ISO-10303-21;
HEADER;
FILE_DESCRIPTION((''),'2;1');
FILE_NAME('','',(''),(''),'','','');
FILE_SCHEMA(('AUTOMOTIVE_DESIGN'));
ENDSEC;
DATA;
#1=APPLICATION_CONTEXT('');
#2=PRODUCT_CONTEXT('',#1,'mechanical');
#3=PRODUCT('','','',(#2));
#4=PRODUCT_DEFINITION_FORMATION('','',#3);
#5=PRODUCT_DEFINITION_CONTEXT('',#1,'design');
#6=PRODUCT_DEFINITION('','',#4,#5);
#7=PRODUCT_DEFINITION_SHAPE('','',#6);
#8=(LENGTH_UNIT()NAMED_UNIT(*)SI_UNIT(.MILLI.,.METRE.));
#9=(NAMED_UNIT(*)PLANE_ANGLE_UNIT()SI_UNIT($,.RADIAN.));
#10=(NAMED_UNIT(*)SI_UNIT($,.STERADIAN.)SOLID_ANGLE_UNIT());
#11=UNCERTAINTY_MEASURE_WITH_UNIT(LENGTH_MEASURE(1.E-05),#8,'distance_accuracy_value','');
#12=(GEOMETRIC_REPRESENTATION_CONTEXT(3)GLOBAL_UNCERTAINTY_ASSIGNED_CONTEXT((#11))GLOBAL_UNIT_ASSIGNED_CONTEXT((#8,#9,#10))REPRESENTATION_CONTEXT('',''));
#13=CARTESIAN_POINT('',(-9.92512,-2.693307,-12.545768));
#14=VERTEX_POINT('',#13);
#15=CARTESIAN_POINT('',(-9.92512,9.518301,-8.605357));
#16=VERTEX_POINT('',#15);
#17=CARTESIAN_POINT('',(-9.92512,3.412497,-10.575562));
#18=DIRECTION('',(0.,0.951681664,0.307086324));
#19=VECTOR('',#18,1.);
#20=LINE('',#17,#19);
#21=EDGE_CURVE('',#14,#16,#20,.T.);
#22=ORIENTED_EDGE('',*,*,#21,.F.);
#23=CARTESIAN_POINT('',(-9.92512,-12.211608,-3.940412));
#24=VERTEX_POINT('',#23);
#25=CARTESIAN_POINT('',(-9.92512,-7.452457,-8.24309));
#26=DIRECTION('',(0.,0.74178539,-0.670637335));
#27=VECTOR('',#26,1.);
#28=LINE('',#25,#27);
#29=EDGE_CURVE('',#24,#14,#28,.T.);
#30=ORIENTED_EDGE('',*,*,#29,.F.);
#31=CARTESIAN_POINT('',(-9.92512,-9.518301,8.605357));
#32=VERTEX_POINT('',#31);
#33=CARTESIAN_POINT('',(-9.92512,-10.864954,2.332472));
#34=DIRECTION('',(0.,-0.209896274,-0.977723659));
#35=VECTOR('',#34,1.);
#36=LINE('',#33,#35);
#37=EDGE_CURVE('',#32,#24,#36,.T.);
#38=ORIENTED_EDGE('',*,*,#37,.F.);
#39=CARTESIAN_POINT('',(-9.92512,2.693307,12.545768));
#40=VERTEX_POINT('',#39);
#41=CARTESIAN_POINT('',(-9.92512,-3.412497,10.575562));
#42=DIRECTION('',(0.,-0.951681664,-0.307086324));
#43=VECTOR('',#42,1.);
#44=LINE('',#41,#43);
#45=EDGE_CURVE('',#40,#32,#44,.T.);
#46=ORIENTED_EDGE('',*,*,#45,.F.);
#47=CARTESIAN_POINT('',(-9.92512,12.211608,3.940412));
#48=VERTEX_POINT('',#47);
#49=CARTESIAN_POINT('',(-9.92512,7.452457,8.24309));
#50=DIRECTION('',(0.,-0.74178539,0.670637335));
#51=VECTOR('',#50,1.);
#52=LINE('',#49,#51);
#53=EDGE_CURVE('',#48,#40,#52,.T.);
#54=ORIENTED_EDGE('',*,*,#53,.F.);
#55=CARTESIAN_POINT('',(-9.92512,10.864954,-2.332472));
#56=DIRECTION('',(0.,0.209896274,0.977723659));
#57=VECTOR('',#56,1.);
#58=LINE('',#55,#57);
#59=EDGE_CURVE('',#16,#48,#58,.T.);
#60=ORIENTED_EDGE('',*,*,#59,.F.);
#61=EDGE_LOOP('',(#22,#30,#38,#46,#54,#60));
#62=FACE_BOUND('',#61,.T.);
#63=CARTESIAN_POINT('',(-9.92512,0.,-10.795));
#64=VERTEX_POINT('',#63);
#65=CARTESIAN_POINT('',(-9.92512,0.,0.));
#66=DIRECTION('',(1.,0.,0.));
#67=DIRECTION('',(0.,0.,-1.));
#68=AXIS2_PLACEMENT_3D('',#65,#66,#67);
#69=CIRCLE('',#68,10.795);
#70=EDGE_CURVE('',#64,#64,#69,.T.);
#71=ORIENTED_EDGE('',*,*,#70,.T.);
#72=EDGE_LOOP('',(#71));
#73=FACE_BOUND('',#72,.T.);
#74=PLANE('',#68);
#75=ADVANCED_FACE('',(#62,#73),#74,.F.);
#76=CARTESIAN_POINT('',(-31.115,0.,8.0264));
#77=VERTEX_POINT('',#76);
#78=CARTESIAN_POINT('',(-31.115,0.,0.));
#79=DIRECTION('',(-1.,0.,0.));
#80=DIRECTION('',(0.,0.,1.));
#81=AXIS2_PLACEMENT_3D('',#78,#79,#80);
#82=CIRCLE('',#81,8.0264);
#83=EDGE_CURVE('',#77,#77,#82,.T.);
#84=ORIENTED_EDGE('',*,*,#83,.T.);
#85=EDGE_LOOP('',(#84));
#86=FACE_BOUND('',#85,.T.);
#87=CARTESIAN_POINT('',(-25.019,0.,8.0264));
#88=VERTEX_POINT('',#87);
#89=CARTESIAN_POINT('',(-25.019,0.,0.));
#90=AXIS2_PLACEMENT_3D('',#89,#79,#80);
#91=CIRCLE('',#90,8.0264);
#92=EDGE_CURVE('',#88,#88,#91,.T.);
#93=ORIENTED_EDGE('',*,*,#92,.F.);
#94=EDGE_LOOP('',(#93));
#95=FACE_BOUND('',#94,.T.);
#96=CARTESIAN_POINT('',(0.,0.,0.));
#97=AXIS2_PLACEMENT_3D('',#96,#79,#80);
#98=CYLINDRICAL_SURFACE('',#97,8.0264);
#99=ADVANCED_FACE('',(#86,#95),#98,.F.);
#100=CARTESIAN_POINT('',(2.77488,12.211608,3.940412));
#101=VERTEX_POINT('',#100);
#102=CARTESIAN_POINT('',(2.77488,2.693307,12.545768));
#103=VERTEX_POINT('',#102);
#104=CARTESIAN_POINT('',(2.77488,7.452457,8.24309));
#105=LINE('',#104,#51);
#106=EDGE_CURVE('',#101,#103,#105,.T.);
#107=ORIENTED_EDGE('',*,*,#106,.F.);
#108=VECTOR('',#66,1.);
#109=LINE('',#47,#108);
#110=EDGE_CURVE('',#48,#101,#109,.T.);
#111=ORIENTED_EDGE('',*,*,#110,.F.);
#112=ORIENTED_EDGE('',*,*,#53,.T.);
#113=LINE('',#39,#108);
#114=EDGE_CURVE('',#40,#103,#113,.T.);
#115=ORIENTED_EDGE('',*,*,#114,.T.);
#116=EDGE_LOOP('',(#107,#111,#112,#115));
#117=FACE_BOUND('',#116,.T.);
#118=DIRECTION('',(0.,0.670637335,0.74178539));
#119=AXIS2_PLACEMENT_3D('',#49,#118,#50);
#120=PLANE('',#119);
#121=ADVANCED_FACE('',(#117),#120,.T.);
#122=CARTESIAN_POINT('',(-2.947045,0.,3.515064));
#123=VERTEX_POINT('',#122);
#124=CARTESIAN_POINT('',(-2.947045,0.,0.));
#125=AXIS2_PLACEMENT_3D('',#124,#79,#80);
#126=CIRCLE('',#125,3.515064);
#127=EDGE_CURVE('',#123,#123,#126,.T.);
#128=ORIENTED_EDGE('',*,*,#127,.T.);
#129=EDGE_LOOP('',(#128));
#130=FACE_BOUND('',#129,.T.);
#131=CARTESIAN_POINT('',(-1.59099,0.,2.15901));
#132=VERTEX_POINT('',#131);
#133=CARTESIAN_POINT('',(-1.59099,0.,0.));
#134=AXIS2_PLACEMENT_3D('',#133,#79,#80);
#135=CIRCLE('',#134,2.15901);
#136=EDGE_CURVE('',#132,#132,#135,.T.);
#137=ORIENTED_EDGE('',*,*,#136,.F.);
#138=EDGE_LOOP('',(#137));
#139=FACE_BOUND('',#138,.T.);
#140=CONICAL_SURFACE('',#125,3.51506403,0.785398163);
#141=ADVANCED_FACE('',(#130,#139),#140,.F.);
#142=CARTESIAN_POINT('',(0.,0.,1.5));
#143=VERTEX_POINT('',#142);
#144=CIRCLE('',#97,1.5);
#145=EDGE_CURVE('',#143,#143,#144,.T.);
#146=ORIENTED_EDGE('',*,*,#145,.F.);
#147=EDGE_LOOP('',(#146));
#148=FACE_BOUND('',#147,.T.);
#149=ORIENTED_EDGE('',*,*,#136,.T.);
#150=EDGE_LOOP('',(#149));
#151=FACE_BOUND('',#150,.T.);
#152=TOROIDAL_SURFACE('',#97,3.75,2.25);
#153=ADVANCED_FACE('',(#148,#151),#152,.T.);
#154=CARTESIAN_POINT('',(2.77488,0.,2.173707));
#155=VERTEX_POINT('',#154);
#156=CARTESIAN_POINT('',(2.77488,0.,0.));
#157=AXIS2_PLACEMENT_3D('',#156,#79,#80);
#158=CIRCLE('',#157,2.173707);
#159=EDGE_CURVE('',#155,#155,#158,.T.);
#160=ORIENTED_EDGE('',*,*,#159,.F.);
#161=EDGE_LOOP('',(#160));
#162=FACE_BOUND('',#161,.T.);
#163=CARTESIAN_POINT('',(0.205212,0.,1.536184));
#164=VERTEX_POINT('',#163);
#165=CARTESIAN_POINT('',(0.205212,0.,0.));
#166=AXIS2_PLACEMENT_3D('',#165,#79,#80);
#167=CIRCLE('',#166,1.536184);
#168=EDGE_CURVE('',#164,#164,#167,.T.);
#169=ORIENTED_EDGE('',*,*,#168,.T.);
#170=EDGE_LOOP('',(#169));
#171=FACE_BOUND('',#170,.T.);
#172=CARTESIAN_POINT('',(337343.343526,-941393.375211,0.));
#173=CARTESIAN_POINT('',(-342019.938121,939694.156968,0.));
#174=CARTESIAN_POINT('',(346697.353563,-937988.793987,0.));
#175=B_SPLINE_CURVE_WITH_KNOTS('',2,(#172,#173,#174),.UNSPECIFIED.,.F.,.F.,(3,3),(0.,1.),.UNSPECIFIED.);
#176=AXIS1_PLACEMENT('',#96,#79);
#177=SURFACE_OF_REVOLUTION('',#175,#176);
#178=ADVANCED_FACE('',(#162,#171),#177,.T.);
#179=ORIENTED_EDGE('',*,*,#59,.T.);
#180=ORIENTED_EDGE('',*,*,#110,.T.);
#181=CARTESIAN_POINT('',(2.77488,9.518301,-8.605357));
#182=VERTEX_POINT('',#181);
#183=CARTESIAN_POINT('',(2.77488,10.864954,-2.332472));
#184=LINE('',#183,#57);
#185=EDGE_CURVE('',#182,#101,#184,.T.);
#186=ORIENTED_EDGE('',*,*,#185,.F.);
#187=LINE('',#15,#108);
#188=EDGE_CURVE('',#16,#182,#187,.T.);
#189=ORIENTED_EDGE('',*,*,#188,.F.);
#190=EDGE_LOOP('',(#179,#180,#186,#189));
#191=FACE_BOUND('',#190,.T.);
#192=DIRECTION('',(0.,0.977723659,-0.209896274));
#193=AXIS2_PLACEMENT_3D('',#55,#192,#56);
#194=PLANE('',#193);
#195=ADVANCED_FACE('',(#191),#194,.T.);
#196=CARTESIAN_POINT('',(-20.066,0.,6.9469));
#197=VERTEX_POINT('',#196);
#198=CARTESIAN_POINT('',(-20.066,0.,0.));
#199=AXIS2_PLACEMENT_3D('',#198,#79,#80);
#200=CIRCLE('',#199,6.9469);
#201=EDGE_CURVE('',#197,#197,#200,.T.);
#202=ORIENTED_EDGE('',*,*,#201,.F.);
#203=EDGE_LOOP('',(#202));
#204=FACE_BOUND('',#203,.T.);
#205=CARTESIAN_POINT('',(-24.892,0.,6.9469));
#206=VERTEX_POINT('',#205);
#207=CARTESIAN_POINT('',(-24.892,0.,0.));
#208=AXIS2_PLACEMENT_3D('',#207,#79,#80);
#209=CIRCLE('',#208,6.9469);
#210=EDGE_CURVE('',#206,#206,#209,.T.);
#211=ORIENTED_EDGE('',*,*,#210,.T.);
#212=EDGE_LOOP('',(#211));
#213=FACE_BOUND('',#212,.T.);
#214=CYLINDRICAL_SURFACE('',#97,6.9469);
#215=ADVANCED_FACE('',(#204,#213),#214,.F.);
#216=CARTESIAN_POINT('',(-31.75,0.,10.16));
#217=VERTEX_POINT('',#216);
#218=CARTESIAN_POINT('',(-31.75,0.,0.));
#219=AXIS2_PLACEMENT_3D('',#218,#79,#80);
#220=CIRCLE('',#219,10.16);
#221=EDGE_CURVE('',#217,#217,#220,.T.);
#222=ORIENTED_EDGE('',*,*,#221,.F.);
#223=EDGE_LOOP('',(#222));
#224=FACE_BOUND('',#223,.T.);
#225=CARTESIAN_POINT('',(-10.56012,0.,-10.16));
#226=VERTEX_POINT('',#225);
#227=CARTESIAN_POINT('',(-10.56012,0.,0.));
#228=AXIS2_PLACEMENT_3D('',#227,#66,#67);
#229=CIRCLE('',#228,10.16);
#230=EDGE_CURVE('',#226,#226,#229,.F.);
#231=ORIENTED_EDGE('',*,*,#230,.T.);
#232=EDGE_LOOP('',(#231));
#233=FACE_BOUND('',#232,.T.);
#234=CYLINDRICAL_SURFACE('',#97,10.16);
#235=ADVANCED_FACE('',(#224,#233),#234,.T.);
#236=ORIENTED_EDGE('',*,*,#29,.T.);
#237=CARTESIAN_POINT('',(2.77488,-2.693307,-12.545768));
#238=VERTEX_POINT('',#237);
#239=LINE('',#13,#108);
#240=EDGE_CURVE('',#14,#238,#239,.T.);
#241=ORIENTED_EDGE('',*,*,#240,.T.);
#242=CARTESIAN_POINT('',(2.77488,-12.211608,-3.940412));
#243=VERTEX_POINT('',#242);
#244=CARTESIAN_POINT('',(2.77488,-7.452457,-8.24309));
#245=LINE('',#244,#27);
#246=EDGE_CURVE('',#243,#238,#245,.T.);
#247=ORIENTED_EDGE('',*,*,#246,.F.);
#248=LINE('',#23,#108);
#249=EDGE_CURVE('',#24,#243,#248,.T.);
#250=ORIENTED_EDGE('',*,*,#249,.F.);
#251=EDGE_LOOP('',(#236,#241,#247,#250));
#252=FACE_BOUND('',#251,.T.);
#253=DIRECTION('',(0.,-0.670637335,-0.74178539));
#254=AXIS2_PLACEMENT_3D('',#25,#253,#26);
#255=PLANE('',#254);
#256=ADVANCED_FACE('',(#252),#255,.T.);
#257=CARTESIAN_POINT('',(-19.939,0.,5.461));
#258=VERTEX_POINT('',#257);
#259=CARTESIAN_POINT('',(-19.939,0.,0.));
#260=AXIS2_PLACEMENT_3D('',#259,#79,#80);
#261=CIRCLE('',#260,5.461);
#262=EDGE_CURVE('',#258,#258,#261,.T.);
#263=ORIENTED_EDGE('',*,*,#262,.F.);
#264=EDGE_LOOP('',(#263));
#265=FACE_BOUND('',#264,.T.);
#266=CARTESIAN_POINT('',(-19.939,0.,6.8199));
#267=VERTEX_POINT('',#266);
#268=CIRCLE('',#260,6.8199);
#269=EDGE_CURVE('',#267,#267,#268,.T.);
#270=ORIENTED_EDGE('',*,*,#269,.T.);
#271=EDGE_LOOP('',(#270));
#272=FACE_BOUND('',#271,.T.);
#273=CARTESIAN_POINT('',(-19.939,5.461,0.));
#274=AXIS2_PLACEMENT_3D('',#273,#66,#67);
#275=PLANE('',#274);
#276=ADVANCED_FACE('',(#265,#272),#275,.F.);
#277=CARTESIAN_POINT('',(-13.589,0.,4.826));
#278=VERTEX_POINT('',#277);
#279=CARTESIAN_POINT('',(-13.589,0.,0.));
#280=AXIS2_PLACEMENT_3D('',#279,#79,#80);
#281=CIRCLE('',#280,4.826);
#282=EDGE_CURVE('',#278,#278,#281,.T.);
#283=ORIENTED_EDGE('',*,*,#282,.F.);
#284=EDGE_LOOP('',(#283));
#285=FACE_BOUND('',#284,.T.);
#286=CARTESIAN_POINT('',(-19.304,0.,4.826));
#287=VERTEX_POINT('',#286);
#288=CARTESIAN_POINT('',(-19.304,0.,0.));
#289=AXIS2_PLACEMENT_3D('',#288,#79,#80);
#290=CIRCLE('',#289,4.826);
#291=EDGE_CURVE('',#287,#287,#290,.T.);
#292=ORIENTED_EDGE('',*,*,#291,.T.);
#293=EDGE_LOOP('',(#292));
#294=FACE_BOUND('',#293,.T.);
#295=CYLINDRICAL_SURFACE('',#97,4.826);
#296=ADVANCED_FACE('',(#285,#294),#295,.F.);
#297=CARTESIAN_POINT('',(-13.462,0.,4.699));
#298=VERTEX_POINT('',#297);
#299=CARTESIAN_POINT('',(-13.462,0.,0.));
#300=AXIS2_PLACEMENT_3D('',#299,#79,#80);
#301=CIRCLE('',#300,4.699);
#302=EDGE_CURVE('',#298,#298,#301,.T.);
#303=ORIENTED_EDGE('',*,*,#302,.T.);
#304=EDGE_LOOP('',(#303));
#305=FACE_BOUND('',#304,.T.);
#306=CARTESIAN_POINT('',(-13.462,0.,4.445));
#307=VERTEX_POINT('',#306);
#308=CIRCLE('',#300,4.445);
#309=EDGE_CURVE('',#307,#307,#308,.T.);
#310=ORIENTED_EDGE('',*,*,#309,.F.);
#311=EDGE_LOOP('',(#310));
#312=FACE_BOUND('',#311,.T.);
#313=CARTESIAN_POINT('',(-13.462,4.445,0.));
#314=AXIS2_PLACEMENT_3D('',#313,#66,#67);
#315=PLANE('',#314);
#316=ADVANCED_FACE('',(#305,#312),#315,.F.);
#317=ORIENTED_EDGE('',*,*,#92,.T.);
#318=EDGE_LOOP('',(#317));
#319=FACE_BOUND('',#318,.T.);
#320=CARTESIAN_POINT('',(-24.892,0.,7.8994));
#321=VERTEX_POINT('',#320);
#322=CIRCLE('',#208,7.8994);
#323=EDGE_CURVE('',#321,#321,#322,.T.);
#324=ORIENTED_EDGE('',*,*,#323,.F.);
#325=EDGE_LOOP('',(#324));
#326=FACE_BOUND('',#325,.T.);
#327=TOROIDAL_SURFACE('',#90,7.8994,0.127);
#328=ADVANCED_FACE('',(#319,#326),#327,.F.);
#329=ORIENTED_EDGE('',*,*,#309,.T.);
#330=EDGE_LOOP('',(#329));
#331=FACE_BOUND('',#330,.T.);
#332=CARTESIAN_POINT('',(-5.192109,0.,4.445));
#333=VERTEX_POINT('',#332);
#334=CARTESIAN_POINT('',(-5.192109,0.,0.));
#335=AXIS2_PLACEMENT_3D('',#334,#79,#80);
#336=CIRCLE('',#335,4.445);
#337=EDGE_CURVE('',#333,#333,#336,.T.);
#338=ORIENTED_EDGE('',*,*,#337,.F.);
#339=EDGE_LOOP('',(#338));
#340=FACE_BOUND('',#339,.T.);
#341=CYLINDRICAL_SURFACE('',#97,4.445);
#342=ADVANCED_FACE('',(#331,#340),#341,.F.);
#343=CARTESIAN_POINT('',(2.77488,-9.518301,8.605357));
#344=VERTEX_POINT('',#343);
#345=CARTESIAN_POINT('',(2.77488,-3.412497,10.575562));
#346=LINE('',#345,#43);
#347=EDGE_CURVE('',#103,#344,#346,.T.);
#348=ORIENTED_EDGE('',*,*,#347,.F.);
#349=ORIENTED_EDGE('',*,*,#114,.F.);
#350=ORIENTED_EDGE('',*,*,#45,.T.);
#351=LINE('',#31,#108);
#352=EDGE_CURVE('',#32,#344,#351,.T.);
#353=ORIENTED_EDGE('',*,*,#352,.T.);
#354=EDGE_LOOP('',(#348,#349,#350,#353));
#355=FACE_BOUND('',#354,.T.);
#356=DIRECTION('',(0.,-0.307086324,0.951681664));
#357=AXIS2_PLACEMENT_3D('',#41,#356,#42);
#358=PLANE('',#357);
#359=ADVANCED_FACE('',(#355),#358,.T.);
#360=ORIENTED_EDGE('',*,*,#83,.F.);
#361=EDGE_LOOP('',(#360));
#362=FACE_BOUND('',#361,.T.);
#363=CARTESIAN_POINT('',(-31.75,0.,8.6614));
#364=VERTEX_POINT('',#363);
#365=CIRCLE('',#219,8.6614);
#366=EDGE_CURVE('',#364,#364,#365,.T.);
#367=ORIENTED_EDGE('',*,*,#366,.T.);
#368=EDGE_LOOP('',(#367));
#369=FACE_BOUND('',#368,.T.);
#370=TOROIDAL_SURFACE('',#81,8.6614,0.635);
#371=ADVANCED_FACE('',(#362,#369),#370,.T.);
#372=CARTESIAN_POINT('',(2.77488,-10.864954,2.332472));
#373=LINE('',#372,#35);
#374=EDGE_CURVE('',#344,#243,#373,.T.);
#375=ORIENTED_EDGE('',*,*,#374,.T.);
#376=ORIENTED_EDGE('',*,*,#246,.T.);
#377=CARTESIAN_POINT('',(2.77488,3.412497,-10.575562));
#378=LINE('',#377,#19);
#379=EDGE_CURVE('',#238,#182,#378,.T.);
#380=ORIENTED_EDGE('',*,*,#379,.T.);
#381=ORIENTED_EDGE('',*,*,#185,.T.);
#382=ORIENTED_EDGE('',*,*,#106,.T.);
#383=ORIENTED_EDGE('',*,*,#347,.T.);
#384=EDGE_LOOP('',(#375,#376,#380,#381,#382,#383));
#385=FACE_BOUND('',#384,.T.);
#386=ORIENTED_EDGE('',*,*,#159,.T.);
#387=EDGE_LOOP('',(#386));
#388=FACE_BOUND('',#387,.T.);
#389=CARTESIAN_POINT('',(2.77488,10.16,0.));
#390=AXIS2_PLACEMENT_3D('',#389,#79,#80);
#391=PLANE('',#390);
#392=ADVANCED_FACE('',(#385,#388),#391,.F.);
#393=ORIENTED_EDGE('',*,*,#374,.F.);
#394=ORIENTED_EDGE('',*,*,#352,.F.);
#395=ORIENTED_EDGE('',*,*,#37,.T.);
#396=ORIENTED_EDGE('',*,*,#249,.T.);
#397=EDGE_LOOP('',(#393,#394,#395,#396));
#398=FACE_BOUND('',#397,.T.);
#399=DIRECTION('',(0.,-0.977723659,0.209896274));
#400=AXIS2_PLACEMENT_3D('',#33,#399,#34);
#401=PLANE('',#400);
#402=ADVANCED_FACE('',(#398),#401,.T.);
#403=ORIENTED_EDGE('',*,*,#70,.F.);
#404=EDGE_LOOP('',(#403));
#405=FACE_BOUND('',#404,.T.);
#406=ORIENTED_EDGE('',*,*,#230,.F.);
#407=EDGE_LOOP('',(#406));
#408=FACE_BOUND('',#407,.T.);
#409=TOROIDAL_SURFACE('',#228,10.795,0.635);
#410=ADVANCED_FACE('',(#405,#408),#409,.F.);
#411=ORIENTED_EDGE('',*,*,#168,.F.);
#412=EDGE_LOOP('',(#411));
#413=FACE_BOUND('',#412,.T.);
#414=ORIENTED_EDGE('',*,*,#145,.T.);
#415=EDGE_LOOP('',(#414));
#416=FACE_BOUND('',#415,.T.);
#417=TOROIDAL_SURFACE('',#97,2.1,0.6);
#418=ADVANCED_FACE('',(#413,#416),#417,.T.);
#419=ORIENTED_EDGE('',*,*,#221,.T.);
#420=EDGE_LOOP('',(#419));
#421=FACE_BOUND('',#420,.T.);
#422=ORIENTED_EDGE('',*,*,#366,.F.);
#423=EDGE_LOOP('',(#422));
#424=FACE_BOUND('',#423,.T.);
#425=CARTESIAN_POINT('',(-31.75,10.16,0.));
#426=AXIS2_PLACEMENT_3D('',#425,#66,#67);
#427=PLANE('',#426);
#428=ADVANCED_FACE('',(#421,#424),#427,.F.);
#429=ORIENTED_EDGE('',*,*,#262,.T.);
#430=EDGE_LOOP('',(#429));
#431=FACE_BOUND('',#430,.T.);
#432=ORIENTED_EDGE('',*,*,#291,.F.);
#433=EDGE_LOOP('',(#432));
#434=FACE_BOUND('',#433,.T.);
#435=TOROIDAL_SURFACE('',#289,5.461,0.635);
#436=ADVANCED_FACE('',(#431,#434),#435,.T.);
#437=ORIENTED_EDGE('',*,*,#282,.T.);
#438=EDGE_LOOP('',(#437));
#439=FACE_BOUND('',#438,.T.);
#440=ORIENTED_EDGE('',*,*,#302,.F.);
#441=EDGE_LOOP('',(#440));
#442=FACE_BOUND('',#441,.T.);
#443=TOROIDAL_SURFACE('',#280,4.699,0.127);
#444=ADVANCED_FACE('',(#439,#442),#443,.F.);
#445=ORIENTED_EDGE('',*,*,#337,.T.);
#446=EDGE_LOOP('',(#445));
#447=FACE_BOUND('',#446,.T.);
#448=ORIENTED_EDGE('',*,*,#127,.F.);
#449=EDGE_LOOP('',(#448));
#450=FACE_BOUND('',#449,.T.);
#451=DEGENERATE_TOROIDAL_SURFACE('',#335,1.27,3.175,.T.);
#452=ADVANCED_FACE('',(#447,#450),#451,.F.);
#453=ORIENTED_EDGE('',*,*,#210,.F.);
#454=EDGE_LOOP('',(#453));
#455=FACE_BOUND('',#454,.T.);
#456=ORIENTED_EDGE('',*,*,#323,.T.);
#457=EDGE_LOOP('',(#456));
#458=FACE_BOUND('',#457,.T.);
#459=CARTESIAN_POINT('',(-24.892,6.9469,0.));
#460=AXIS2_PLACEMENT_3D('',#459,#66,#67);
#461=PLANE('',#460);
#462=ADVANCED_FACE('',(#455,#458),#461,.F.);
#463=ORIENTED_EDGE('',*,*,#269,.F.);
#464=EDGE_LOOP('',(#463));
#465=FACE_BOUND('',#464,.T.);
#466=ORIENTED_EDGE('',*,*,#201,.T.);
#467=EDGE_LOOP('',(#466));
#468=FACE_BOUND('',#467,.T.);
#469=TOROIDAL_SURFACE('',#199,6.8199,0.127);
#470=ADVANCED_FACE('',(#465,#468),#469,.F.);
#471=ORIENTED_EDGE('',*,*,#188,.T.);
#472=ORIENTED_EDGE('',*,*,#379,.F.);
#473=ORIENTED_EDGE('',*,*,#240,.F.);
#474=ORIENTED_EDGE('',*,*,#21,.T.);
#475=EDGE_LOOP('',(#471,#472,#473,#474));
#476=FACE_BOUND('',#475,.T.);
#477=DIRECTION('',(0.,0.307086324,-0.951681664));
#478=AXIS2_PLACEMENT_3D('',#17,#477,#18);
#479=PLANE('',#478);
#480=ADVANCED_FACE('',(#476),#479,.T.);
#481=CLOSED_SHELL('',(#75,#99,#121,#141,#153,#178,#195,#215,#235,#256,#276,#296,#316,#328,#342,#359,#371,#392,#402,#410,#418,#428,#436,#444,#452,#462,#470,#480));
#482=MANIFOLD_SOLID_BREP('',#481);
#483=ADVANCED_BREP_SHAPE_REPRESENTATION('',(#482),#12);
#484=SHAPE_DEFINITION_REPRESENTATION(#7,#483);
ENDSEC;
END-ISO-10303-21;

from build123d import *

# Parameters (mm, degrees)
SKETCH4_R           = 10.16
BOSS_EXTRUDE1_DEPTH = 12.7
FILLET1_R           = 0.635


with BuildPart() as part:
    # Sketch1 → Revolve1 (revolve)
    with BuildSketch(Plane.XY, mode=Mode.PRIVATE) as revolve1_sk:
        with BuildLine():
            Line((-1.590990258, 2.159009742), (-2.947044546, 3.51506403))
            ThreePointArc((-2.947044546, 3.51506403), (-3.977088678, 4.203317516), (-5.192108576, 4.445))
            Line((-5.192108576, 4.445), (-13.462, 4.445))
            Line((-13.462, 4.445), (-13.462, 4.699))
            ThreePointArc((-13.462, 4.699), (-13.499197439, 4.788802561), (-13.589, 4.826))
            Line((-13.589, 4.826), (-19.304, 4.826))
            ThreePointArc((-19.304, 4.826), (-19.753012806, 5.011987194), (-19.939, 5.461))
            Line((-19.939, 5.461), (-19.939, 6.8199))
            ThreePointArc((-19.939, 6.8199), (-19.976197439, 6.909702561), (-20.066, 6.9469))
            Line((-20.066, 6.9469), (-24.892, 6.9469))
            Line((-24.892, 6.9469), (-24.892, 7.8994))
            ThreePointArc((-24.892, 7.8994), (-24.929197439, 7.989202561), (-25.019, 8.0264))
            Line((-25.019, 8.0264), (-31.115, 8.0264))
            ThreePointArc((-31.115, 8.0264), (-31.564012806, 8.212387194), (-31.75, 8.6614))
            Line((-31.75, 8.6614), (-31.75, 10.16))
            Line((-31.75, 10.16), (-9.925119796, 10.16))
            Line((-9.925119796, 10.16), (2.774880204, 10.16))
            Line((2.774880204, 10.16), (2.774880204, 2.173706512))
            add(Edge.make_bspline(
                [(2.774880204, 2.173706512), (1.442196935, 1.986410093), (0.205212086, 1.536184427)],
                knots=[0, 0, 0, 1, 1, 1], degree=2))
            ThreePointArc((0.205212086, 1.536184427), (0.104188907, 1.509115348), (0, 1.5))
            ThreePointArc((0, 1.5), (-0.861037723, 1.671271052), (-1.590990258, 2.159009742))
        make_face()
    revolve(revolve1_sk.sketch.rotate(Axis((0, 0, 0), (1, 0, 0)), 90), axis=Axis((0, 0, 0), (1, 0, 0)))

    # Sketch4 → Boss-Extrude1 (add)
    with BuildSketch(Plane(origin=(2.774880204, 0, 0), x_dir=(0, 0, -1), z_dir=(1, 0, 0))):
        Polygon((3.940411868, -12.211607701), (12.545768424, -2.693307071), (8.605356556, 9.51830063), (-3.940411868, 12.211607701), (-12.545768424, 2.693307071), (-8.605356556, -9.51830063), align=None)
        with Locations(Location((0, 0, 0), (0, 0, 180))):
            Circle(SKETCH4_R, mode=Mode.SUBTRACT)
    extrude(amount=-BOSS_EXTRUDE1_DEPTH)

    # Fillet1
    fillet1_edges = [part.edges().sort_by_distance(p)[0] for p in [
        (-9.925119796, 0, -10.16),
    ]]
    fillet(fillet1_edges, radius=FILLET1_R)


solid = part.part
